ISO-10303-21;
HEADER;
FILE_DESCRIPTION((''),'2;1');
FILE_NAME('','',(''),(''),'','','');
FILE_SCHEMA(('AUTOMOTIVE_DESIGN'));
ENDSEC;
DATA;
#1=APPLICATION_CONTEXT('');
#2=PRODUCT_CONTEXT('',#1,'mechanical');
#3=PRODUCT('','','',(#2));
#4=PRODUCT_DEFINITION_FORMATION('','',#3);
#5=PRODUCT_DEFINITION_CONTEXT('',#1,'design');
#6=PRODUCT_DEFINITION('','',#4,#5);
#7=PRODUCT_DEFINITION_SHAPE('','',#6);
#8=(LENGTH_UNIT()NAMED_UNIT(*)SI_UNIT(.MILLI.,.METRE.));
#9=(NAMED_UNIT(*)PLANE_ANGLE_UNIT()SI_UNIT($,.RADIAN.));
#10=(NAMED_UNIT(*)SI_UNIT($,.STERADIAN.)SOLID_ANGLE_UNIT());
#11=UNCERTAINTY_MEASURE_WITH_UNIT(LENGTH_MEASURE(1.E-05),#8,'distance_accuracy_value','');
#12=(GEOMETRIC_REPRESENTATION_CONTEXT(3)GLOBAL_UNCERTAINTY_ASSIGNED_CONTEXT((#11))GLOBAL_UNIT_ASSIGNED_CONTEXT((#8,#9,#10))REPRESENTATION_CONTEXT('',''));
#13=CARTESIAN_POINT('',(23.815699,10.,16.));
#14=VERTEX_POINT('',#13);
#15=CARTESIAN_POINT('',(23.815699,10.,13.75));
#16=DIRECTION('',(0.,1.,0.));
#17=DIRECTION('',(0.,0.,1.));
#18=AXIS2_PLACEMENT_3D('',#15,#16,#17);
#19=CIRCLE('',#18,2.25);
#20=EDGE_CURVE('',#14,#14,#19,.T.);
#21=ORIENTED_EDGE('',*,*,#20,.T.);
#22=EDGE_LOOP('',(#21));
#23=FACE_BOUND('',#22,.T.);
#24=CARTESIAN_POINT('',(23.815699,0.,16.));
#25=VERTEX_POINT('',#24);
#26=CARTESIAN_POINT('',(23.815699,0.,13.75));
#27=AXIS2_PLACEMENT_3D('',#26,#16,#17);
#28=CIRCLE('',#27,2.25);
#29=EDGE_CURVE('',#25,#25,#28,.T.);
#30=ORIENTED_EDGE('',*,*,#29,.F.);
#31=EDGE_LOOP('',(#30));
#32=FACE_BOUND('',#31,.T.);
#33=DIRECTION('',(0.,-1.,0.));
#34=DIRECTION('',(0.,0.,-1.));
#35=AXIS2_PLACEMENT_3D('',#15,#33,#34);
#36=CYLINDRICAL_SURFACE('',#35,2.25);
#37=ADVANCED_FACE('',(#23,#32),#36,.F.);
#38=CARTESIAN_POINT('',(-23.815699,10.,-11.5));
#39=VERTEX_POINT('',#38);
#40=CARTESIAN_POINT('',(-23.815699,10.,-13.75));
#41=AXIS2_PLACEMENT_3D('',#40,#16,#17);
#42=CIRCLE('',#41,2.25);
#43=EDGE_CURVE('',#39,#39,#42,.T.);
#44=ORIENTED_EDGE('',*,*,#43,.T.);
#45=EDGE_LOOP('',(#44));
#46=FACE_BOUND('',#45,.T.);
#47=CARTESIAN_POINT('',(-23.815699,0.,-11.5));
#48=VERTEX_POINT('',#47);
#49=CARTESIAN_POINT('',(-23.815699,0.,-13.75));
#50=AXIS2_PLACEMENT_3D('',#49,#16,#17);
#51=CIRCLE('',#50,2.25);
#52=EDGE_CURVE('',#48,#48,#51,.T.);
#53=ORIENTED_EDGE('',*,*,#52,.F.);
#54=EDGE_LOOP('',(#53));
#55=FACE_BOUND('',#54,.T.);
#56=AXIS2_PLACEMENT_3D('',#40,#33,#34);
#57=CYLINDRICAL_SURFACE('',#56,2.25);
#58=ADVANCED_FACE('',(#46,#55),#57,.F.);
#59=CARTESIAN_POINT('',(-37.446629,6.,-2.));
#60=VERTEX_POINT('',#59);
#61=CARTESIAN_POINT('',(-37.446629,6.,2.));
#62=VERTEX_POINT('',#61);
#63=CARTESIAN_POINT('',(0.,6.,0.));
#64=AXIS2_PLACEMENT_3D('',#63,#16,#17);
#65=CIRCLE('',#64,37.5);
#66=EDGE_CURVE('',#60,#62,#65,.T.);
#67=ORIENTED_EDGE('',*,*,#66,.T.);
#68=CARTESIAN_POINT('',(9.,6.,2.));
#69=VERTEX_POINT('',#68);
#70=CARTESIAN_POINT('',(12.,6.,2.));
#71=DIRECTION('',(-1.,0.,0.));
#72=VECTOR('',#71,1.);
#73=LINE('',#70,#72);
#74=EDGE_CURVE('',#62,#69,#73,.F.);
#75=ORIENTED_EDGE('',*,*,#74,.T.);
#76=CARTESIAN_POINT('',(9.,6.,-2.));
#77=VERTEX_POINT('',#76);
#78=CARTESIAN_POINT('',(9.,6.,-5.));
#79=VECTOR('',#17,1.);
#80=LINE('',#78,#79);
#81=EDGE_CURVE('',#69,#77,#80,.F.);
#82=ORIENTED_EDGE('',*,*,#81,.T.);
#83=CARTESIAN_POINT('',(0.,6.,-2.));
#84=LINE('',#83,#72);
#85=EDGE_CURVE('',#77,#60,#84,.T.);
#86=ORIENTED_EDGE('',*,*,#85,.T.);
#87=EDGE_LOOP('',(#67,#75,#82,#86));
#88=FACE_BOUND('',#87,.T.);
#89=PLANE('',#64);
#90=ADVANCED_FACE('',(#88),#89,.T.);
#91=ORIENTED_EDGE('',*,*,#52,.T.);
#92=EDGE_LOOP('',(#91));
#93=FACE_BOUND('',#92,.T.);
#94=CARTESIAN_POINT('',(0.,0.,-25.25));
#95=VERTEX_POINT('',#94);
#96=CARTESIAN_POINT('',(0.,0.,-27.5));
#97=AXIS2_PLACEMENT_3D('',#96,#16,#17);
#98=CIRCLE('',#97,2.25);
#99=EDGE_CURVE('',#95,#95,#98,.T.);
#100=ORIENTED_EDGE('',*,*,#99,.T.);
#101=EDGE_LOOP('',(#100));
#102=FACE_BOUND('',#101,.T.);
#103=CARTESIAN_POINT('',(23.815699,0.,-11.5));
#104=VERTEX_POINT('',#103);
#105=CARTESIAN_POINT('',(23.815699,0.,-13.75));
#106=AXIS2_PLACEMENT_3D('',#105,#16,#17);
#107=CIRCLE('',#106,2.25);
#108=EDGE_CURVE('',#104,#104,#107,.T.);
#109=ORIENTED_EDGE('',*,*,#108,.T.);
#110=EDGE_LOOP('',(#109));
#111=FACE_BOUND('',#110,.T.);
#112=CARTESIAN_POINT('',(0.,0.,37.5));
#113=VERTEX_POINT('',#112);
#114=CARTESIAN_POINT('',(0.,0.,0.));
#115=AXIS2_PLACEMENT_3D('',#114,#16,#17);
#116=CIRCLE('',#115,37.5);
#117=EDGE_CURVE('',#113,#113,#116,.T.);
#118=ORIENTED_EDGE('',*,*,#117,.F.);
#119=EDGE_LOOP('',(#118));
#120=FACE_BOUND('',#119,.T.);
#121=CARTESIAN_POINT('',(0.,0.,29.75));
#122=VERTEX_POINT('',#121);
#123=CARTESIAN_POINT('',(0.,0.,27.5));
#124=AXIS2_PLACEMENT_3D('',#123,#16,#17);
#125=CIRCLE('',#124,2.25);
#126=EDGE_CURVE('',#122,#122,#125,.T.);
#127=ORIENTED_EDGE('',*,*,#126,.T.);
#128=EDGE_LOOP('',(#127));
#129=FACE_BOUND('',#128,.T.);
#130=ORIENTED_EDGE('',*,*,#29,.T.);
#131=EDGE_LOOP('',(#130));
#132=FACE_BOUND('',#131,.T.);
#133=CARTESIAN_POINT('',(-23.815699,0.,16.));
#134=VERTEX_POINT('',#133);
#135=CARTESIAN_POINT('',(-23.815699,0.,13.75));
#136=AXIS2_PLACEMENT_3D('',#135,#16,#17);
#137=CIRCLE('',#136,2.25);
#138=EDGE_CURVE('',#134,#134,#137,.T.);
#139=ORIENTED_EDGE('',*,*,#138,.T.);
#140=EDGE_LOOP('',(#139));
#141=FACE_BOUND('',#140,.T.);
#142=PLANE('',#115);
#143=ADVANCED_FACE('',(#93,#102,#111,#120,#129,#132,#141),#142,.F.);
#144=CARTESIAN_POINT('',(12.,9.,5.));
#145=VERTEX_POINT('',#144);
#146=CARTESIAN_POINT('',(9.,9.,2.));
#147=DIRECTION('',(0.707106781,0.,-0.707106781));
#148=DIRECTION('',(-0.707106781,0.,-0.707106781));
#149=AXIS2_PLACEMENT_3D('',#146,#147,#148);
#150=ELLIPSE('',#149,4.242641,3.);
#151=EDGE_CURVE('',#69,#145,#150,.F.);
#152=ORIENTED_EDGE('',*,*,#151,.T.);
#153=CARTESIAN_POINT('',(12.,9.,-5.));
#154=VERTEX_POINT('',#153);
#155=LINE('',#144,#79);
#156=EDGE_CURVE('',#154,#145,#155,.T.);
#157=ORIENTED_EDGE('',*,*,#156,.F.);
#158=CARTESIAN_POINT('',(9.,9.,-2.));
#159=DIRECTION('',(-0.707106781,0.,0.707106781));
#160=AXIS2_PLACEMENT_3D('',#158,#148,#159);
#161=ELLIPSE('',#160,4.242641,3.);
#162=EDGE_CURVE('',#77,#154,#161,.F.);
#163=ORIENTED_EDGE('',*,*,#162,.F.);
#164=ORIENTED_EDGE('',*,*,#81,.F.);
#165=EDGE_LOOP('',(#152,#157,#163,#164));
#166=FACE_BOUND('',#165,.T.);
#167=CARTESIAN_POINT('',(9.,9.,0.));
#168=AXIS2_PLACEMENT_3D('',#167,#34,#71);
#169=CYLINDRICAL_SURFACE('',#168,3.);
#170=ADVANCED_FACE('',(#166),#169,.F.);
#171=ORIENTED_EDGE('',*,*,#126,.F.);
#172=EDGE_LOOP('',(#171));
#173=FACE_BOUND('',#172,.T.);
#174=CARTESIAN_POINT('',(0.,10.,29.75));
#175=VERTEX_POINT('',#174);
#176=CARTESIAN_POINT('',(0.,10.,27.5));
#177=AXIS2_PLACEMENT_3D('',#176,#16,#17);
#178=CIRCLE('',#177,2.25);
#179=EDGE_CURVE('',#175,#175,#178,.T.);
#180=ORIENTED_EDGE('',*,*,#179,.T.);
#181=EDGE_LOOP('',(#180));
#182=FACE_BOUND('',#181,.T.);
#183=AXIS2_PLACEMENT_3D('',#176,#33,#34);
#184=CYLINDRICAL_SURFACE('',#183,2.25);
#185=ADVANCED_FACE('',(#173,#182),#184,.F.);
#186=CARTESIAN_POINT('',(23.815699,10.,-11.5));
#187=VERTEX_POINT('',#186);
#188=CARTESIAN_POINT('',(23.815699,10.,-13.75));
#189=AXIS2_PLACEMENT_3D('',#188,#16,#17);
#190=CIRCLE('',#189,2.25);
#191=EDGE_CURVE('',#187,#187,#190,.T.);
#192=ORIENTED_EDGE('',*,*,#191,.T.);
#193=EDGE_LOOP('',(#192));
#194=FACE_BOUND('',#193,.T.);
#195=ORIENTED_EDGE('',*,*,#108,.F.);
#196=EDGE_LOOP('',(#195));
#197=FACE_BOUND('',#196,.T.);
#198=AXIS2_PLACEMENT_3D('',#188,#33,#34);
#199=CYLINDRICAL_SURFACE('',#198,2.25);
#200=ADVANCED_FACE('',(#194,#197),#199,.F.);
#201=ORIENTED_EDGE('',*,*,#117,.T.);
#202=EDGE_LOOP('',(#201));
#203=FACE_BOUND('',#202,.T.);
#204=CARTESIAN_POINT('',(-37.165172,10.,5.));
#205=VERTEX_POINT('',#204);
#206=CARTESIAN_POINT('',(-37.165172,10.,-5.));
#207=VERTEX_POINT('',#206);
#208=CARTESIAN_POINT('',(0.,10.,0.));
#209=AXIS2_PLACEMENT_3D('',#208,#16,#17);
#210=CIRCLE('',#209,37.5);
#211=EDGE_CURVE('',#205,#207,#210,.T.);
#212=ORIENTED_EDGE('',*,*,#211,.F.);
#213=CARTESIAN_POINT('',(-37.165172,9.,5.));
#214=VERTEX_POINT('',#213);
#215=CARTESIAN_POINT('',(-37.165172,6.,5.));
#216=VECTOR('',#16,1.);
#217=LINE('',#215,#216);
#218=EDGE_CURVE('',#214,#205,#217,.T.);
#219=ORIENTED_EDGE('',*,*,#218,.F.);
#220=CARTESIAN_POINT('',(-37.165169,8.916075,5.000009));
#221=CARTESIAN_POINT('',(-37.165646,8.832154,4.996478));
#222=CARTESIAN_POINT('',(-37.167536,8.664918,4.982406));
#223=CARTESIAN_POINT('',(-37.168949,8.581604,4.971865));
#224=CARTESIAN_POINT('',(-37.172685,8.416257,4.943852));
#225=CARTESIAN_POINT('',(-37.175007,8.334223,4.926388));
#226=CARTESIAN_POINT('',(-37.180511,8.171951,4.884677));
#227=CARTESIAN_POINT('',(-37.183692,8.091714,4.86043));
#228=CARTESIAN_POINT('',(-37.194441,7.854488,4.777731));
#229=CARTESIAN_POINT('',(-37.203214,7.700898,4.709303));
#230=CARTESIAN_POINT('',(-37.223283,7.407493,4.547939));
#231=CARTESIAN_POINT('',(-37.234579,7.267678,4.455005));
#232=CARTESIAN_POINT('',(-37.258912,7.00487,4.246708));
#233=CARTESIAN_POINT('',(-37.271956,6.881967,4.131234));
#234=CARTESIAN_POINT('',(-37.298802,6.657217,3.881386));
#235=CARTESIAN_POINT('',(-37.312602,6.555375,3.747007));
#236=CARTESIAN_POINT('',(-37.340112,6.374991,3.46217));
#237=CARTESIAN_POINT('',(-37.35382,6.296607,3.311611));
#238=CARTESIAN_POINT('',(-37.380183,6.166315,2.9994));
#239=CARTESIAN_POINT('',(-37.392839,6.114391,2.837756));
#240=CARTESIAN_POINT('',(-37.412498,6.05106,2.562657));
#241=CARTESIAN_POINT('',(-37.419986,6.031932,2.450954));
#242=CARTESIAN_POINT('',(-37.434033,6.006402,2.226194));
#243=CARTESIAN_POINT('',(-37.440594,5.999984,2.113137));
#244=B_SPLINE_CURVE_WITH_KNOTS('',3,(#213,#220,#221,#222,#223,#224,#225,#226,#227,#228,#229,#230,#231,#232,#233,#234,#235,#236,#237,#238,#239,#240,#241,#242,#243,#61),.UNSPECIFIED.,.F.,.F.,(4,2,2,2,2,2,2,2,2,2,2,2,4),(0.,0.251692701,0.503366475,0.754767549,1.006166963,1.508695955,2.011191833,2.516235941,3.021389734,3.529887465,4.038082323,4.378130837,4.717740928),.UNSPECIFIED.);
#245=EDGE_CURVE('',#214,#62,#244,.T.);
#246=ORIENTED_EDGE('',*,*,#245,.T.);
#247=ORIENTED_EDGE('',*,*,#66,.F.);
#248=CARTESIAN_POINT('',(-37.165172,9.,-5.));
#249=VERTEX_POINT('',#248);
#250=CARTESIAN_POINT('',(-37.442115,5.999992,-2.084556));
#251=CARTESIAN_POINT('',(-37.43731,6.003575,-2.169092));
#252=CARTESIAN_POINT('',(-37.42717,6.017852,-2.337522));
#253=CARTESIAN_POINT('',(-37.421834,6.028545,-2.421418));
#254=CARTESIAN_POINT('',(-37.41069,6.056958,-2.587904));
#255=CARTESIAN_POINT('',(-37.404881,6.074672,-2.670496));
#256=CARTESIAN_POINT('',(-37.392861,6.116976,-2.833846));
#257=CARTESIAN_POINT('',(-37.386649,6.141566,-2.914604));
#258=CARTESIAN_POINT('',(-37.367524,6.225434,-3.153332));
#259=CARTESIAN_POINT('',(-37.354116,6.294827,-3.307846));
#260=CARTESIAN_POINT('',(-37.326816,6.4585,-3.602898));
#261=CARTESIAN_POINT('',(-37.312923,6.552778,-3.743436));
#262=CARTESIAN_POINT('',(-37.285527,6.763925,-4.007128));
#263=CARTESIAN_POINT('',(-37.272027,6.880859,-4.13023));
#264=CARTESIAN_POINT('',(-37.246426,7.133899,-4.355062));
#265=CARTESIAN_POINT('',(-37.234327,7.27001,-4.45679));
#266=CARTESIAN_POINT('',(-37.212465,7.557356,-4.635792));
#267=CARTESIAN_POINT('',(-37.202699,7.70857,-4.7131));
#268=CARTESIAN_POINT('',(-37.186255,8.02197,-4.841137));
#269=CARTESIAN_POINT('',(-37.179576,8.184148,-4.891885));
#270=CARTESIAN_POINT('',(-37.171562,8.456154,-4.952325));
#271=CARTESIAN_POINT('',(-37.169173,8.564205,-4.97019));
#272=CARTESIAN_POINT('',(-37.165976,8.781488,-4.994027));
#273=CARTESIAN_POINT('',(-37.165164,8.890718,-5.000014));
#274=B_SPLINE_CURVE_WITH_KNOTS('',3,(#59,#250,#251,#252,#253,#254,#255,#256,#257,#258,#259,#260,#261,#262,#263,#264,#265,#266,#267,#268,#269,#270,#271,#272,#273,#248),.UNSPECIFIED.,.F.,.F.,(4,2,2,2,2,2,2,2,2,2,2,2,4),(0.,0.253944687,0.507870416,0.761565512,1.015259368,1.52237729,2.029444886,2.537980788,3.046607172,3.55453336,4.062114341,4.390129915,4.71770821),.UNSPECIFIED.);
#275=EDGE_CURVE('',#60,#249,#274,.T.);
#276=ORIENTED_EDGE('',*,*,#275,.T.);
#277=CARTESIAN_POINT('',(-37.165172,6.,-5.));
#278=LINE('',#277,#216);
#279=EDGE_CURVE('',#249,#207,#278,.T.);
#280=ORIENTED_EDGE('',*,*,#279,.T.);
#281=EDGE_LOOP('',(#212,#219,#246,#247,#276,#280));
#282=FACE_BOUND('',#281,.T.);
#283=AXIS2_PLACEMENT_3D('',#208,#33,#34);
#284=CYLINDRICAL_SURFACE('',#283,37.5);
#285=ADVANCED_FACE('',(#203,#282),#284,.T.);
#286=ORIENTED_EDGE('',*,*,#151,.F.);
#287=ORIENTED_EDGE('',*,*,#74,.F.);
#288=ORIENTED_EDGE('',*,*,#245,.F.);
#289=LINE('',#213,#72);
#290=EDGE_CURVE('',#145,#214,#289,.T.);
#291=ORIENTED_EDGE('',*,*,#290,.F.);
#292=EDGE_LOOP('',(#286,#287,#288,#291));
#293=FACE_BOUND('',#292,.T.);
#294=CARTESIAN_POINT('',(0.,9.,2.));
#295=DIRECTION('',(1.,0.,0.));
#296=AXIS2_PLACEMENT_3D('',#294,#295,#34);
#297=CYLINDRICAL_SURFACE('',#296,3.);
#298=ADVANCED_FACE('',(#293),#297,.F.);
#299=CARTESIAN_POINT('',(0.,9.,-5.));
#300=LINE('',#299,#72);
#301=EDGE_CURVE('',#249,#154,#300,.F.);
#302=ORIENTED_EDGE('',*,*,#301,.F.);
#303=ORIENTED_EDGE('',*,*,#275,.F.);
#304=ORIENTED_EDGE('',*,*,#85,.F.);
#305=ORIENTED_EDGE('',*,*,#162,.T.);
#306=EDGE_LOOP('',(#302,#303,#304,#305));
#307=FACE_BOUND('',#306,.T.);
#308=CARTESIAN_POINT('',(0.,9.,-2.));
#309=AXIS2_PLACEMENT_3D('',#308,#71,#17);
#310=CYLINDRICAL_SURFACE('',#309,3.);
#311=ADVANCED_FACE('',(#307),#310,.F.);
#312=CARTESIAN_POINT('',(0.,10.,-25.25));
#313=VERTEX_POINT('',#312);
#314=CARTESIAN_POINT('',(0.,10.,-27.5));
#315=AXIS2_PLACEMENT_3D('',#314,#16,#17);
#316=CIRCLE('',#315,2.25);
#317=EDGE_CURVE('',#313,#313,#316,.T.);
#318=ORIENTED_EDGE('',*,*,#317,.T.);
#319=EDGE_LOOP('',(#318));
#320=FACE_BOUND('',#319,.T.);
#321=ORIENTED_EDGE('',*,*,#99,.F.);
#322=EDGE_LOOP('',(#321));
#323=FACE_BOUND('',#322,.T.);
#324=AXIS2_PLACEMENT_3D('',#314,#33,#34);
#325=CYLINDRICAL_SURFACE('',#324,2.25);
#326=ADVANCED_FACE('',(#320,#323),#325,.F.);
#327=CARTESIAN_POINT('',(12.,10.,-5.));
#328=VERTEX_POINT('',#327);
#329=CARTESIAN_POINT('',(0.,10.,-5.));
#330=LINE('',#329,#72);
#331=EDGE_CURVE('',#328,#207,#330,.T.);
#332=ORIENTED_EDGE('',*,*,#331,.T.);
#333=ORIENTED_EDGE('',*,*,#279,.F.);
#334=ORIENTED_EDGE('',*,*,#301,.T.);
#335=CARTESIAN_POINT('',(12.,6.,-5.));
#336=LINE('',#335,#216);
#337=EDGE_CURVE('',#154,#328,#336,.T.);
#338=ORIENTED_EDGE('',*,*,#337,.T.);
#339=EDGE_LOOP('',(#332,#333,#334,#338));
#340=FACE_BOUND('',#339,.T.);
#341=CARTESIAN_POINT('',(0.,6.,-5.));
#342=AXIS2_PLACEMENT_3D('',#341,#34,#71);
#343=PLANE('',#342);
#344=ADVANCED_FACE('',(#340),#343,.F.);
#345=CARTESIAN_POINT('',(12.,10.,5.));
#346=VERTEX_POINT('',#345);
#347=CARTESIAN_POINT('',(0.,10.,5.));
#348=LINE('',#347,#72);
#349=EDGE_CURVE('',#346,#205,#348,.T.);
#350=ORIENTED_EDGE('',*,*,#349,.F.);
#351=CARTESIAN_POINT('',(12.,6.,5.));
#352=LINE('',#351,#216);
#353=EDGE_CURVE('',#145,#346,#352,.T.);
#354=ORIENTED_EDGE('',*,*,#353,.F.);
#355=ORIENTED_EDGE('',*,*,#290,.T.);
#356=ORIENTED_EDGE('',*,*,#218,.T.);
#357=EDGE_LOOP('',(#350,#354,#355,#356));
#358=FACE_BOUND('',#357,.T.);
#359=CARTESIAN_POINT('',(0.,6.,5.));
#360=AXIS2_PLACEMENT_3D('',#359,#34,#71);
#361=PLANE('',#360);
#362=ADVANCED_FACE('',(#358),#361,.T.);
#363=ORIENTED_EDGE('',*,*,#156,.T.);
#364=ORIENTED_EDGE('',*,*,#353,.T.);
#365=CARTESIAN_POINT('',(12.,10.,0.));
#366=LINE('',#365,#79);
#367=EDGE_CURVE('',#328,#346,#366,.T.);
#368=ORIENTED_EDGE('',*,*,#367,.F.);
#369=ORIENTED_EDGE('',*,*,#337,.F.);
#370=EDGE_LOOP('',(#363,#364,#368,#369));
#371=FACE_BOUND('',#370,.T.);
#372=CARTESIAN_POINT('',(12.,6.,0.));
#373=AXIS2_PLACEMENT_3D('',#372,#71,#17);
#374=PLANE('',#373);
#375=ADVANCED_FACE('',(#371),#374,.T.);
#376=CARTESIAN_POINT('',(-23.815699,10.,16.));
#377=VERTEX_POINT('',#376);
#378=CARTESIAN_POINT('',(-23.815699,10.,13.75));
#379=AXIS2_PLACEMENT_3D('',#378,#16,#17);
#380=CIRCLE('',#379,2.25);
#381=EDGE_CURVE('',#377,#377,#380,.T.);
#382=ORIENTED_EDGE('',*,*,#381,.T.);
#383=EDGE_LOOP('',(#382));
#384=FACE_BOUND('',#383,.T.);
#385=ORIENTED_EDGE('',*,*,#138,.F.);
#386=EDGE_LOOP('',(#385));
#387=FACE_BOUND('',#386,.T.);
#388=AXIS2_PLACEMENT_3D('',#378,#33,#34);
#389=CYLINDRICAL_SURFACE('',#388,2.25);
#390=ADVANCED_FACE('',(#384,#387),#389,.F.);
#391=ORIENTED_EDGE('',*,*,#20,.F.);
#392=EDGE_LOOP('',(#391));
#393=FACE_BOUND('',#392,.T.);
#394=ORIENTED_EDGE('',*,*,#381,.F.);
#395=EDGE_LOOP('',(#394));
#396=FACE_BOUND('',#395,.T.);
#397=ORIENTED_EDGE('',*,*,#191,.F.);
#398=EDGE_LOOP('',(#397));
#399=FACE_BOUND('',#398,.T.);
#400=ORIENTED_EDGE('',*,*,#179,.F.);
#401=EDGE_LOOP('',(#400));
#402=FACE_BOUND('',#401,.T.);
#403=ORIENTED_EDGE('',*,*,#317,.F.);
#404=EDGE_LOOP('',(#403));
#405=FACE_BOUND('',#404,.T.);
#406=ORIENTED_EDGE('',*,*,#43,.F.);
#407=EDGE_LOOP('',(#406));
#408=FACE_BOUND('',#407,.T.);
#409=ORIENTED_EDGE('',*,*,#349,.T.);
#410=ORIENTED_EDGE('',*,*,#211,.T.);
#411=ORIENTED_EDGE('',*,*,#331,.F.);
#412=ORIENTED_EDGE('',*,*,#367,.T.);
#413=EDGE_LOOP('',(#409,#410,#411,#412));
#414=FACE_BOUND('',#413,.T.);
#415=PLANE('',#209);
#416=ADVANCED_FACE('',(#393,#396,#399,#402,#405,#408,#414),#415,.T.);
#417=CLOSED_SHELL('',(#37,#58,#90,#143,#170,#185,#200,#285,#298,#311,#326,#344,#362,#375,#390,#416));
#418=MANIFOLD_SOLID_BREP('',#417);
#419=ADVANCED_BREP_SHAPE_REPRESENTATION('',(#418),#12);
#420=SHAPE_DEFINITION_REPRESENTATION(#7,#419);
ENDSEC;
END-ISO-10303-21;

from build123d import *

# Parameters (mm, degrees)
SKETCH1_R           = 37.5
SKETCH1_R_2         = 2.25
BOSS_EXTRUDE1_DEPTH = 10
CUT_EXTRUDE1_DEPTH  = 4
FILLET1_R           = 3


with BuildPart() as part:
    # Sketch1 → Boss-Extrude1 (new body)
    with BuildSketch(Plane(origin=(0, 0, 0), x_dir=(1, 0, 0), z_dir=(0, 1, 0))):
        Circle(SKETCH1_R)
        with Locations((0, 27.5)):
            Circle(SKETCH1_R_2, mode=Mode.SUBTRACT)
        with Locations((23.815698604, 13.75)):
            Circle(SKETCH1_R_2, mode=Mode.SUBTRACT)
        with Locations((23.815698604, -13.75)):
            Circle(SKETCH1_R_2, mode=Mode.SUBTRACT)
        with Locations((0, -27.5)):
            Circle(SKETCH1_R_2, mode=Mode.SUBTRACT)
        with Locations((-23.815698604, -13.75)):
            Circle(SKETCH1_R_2, mode=Mode.SUBTRACT)
        with Locations((-23.815698604, 13.75)):
            Circle(SKETCH1_R_2, mode=Mode.SUBTRACT)
    extrude(amount=BOSS_EXTRUDE1_DEPTH)

    # Sketch2 → Cut-Extrude1 (cut)
    with BuildSketch(Plane(origin=(0, 10, 0), x_dir=(1, 0, 0), z_dir=(0, 1, 0))):
        with BuildLine():
            Line((12, -5), (12, 0))
            Line((12, 0), (12, 5))
            Line((12, 5), (-37.165171868, 5))
            ThreePointArc((-37.165171868, 5), (-37.5, 0), (-37.165171868, -5))
            Line((-37.165171868, -5), (12, -5))
        make_face()
    extrude(amount=-CUT_EXTRUDE1_DEPTH, mode=Mode.SUBTRACT)

    # Fillet1
    fillet1_edges = [part.edges().sort_by_distance(p)[0] for p in [
        (-12.582585934, 6, -5),
        (12, 6, 0),
        (-12.582585934, 6, 5),
    ]]
    fillet(fillet1_edges, radius=FILLET1_R)


solid = part.part
